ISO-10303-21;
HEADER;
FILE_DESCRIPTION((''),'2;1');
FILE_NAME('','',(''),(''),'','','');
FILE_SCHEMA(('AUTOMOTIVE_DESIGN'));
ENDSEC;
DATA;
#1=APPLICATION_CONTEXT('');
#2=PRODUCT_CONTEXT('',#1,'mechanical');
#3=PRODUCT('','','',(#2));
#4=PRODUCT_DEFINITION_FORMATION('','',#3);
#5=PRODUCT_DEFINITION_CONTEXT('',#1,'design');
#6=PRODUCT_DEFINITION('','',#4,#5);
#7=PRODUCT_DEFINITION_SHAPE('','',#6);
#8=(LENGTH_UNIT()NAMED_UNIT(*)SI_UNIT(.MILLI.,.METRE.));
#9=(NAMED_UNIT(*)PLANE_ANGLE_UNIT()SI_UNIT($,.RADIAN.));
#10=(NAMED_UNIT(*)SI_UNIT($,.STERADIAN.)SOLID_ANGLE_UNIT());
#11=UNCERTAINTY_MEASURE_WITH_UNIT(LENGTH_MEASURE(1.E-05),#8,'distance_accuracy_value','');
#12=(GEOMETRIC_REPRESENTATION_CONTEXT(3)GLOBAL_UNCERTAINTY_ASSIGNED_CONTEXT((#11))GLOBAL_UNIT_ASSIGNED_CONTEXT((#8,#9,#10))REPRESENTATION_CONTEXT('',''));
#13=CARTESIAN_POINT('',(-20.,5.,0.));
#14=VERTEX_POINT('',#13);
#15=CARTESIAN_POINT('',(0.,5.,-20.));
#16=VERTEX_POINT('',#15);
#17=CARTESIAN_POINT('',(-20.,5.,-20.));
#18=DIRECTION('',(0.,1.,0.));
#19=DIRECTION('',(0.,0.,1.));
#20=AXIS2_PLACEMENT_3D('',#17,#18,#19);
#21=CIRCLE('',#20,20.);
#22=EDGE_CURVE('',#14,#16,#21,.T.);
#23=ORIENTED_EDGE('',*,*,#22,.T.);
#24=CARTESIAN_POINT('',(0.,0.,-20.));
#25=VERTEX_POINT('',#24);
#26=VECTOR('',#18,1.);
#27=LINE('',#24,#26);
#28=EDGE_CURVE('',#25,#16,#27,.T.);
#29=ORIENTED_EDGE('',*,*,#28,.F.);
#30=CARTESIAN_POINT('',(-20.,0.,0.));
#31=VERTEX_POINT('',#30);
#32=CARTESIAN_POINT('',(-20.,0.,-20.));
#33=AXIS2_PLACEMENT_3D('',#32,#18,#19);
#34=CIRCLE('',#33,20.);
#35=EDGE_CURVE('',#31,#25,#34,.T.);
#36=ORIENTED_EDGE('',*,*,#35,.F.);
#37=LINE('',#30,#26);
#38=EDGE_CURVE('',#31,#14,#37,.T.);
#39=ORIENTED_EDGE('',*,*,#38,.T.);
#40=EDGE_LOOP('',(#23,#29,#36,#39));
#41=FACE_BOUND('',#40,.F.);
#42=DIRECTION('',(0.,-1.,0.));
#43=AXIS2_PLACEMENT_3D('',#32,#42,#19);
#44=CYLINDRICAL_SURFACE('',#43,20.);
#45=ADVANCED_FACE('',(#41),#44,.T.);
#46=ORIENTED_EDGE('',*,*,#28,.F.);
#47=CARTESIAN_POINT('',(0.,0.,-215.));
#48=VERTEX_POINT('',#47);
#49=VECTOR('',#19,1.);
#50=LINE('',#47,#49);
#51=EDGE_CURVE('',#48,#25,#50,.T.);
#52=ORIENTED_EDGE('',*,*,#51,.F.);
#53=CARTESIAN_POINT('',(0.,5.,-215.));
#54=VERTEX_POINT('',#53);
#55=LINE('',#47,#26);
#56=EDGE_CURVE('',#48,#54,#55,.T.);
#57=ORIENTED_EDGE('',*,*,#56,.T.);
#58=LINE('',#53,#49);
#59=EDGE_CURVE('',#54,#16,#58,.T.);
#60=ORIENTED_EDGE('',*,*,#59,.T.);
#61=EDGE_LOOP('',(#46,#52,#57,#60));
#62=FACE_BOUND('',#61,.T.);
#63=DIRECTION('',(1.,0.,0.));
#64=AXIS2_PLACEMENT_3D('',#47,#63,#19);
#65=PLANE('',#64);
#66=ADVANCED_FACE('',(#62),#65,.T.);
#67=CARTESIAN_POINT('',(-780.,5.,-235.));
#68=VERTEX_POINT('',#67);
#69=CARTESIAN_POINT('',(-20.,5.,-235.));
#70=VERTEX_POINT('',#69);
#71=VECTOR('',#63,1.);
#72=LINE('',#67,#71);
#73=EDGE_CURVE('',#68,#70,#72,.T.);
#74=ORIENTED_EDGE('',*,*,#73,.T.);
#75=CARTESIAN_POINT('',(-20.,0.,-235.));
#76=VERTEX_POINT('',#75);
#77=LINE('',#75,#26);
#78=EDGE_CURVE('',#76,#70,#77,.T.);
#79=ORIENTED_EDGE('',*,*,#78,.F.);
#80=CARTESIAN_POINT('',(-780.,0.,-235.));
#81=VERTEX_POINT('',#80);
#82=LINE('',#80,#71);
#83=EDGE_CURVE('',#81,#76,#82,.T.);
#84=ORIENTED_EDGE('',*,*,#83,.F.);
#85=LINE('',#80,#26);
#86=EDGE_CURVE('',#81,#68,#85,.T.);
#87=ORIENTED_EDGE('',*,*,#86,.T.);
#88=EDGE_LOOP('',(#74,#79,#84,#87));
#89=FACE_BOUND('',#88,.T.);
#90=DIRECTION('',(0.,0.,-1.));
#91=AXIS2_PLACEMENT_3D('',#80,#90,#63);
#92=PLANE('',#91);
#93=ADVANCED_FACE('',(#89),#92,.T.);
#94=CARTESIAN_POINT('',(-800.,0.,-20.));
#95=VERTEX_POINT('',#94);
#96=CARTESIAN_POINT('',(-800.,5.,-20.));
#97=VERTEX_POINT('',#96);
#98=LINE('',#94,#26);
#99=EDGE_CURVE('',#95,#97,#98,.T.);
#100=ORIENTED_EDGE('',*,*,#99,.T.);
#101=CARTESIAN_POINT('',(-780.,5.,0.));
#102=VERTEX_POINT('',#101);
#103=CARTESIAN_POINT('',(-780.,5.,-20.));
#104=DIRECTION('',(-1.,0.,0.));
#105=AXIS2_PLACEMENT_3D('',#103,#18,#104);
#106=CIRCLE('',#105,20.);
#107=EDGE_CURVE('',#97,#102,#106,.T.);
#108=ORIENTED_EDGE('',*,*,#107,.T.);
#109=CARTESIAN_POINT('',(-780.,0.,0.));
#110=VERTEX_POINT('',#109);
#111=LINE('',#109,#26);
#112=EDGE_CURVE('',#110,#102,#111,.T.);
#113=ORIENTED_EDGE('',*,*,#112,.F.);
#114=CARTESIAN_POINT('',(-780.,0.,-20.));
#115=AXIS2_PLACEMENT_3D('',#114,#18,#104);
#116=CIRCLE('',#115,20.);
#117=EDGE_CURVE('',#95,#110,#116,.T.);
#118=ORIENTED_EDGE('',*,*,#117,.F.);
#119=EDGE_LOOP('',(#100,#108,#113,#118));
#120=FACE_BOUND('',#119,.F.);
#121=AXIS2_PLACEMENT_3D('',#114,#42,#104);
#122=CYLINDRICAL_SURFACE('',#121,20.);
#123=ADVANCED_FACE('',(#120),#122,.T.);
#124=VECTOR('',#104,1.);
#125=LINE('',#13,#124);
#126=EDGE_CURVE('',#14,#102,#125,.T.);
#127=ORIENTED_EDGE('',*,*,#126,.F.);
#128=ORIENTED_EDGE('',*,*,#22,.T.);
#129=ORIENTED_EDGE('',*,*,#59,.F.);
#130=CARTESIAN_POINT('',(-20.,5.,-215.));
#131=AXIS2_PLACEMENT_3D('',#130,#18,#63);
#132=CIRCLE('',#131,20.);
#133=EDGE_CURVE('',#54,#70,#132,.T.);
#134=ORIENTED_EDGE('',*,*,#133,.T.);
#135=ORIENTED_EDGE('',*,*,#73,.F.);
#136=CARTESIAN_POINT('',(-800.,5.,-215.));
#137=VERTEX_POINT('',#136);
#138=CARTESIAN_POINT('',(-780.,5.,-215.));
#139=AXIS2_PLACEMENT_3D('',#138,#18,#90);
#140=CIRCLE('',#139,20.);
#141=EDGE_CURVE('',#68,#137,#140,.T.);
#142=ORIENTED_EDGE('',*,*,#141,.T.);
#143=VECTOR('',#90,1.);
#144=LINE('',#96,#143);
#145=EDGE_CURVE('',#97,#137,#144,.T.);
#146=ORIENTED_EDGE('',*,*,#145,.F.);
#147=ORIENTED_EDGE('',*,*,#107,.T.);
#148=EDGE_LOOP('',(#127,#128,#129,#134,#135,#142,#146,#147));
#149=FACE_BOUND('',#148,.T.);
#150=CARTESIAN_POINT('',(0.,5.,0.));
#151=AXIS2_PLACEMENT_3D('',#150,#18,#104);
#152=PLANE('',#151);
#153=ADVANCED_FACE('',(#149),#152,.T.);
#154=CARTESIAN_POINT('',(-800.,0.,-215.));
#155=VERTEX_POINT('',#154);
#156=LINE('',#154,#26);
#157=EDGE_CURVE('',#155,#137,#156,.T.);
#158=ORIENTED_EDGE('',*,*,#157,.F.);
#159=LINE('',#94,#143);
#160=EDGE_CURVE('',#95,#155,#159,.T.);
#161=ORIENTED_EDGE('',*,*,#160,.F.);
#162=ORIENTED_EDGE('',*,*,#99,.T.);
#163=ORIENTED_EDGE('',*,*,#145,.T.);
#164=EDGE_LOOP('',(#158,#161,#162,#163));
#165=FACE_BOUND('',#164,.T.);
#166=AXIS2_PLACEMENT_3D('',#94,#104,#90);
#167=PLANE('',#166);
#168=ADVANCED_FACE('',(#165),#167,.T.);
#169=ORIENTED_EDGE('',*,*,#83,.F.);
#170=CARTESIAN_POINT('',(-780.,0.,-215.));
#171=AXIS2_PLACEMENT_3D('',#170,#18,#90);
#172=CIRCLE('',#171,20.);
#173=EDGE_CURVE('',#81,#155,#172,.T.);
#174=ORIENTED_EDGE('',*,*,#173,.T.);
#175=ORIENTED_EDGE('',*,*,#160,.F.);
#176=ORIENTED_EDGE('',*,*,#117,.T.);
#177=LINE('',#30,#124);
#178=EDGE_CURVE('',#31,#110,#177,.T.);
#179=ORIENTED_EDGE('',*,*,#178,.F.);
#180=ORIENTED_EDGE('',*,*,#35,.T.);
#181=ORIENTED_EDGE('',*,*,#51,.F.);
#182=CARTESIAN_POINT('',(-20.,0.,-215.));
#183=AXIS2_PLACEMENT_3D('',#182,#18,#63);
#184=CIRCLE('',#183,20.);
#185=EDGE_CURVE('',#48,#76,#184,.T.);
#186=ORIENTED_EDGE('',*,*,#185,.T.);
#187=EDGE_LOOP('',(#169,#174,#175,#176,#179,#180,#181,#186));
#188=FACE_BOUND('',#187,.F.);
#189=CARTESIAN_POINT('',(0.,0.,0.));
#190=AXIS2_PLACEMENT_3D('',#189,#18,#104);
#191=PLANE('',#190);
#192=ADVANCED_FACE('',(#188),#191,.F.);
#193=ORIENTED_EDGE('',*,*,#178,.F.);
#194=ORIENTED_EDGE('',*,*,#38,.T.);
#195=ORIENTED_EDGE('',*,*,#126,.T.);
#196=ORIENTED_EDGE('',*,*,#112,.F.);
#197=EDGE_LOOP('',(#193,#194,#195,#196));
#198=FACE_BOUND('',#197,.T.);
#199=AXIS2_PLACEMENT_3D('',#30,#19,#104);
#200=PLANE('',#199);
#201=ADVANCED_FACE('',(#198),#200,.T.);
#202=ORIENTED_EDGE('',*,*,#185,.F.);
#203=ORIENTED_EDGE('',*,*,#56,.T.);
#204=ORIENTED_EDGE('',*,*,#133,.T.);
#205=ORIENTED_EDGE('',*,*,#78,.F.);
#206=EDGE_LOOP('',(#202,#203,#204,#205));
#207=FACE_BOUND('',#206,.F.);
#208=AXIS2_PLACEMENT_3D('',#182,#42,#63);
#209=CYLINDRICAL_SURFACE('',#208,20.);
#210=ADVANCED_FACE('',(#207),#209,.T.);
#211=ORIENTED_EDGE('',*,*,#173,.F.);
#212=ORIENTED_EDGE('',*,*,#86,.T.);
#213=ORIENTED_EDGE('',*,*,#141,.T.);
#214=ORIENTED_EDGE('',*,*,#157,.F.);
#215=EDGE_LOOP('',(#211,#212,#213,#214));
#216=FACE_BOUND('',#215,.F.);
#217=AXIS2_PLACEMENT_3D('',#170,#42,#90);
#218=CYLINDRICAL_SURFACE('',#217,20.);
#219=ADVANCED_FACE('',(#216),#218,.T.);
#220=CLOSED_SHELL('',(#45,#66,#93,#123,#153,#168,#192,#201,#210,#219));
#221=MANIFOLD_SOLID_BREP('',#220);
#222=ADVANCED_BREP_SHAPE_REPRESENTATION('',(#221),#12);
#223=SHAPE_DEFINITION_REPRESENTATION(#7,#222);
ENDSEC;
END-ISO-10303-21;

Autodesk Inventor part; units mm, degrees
ref_plane "YZ Plane" through (0, 0, 0) normal (1, 0, 0) x (0, 1, 0)
ref_plane "XZ Plane" through (0, 0, 0) normal (0, 1, 0) x (-1, 0, 0)
ref_plane "XY Plane" through (0, 0, 0) normal (0, 0, 1) x (1, 0, 0)
sketch "Sketch1" plane through (0, 0, 0) normal (0, 1, 0) x (-1, 0, 0)
  line L0 (20, 0) -> (780, 0)
  line L1 (800, -20) -> (800, -215)
  line L2 (780, -235) -> (20, -235)
  line L3 (0, -215) -> (0, -20)
  arc A0 (780, -235) -> (800, -215) centre (780, -215) ccw
  arc A1 (800, -20) -> (780, 0) centre (780, -20) ccw
  arc A2 (20, 0) -> (0, -20) centre (20, -20) ccw
  arc A3 (0, -215) -> (20, -235) centre (20, -215) ccw
  point P0 (0, 0)
  point P1 (800, -235)
  point P2 (800, 0)
  point P3 (0, -235)
  dimension "d0" = 800
  dimension "d1" = 235
  dimension "d2" = 20
extrude "Extrusion1" add sketch "Sketch1" along normal blind 5
properties part number "roof"
